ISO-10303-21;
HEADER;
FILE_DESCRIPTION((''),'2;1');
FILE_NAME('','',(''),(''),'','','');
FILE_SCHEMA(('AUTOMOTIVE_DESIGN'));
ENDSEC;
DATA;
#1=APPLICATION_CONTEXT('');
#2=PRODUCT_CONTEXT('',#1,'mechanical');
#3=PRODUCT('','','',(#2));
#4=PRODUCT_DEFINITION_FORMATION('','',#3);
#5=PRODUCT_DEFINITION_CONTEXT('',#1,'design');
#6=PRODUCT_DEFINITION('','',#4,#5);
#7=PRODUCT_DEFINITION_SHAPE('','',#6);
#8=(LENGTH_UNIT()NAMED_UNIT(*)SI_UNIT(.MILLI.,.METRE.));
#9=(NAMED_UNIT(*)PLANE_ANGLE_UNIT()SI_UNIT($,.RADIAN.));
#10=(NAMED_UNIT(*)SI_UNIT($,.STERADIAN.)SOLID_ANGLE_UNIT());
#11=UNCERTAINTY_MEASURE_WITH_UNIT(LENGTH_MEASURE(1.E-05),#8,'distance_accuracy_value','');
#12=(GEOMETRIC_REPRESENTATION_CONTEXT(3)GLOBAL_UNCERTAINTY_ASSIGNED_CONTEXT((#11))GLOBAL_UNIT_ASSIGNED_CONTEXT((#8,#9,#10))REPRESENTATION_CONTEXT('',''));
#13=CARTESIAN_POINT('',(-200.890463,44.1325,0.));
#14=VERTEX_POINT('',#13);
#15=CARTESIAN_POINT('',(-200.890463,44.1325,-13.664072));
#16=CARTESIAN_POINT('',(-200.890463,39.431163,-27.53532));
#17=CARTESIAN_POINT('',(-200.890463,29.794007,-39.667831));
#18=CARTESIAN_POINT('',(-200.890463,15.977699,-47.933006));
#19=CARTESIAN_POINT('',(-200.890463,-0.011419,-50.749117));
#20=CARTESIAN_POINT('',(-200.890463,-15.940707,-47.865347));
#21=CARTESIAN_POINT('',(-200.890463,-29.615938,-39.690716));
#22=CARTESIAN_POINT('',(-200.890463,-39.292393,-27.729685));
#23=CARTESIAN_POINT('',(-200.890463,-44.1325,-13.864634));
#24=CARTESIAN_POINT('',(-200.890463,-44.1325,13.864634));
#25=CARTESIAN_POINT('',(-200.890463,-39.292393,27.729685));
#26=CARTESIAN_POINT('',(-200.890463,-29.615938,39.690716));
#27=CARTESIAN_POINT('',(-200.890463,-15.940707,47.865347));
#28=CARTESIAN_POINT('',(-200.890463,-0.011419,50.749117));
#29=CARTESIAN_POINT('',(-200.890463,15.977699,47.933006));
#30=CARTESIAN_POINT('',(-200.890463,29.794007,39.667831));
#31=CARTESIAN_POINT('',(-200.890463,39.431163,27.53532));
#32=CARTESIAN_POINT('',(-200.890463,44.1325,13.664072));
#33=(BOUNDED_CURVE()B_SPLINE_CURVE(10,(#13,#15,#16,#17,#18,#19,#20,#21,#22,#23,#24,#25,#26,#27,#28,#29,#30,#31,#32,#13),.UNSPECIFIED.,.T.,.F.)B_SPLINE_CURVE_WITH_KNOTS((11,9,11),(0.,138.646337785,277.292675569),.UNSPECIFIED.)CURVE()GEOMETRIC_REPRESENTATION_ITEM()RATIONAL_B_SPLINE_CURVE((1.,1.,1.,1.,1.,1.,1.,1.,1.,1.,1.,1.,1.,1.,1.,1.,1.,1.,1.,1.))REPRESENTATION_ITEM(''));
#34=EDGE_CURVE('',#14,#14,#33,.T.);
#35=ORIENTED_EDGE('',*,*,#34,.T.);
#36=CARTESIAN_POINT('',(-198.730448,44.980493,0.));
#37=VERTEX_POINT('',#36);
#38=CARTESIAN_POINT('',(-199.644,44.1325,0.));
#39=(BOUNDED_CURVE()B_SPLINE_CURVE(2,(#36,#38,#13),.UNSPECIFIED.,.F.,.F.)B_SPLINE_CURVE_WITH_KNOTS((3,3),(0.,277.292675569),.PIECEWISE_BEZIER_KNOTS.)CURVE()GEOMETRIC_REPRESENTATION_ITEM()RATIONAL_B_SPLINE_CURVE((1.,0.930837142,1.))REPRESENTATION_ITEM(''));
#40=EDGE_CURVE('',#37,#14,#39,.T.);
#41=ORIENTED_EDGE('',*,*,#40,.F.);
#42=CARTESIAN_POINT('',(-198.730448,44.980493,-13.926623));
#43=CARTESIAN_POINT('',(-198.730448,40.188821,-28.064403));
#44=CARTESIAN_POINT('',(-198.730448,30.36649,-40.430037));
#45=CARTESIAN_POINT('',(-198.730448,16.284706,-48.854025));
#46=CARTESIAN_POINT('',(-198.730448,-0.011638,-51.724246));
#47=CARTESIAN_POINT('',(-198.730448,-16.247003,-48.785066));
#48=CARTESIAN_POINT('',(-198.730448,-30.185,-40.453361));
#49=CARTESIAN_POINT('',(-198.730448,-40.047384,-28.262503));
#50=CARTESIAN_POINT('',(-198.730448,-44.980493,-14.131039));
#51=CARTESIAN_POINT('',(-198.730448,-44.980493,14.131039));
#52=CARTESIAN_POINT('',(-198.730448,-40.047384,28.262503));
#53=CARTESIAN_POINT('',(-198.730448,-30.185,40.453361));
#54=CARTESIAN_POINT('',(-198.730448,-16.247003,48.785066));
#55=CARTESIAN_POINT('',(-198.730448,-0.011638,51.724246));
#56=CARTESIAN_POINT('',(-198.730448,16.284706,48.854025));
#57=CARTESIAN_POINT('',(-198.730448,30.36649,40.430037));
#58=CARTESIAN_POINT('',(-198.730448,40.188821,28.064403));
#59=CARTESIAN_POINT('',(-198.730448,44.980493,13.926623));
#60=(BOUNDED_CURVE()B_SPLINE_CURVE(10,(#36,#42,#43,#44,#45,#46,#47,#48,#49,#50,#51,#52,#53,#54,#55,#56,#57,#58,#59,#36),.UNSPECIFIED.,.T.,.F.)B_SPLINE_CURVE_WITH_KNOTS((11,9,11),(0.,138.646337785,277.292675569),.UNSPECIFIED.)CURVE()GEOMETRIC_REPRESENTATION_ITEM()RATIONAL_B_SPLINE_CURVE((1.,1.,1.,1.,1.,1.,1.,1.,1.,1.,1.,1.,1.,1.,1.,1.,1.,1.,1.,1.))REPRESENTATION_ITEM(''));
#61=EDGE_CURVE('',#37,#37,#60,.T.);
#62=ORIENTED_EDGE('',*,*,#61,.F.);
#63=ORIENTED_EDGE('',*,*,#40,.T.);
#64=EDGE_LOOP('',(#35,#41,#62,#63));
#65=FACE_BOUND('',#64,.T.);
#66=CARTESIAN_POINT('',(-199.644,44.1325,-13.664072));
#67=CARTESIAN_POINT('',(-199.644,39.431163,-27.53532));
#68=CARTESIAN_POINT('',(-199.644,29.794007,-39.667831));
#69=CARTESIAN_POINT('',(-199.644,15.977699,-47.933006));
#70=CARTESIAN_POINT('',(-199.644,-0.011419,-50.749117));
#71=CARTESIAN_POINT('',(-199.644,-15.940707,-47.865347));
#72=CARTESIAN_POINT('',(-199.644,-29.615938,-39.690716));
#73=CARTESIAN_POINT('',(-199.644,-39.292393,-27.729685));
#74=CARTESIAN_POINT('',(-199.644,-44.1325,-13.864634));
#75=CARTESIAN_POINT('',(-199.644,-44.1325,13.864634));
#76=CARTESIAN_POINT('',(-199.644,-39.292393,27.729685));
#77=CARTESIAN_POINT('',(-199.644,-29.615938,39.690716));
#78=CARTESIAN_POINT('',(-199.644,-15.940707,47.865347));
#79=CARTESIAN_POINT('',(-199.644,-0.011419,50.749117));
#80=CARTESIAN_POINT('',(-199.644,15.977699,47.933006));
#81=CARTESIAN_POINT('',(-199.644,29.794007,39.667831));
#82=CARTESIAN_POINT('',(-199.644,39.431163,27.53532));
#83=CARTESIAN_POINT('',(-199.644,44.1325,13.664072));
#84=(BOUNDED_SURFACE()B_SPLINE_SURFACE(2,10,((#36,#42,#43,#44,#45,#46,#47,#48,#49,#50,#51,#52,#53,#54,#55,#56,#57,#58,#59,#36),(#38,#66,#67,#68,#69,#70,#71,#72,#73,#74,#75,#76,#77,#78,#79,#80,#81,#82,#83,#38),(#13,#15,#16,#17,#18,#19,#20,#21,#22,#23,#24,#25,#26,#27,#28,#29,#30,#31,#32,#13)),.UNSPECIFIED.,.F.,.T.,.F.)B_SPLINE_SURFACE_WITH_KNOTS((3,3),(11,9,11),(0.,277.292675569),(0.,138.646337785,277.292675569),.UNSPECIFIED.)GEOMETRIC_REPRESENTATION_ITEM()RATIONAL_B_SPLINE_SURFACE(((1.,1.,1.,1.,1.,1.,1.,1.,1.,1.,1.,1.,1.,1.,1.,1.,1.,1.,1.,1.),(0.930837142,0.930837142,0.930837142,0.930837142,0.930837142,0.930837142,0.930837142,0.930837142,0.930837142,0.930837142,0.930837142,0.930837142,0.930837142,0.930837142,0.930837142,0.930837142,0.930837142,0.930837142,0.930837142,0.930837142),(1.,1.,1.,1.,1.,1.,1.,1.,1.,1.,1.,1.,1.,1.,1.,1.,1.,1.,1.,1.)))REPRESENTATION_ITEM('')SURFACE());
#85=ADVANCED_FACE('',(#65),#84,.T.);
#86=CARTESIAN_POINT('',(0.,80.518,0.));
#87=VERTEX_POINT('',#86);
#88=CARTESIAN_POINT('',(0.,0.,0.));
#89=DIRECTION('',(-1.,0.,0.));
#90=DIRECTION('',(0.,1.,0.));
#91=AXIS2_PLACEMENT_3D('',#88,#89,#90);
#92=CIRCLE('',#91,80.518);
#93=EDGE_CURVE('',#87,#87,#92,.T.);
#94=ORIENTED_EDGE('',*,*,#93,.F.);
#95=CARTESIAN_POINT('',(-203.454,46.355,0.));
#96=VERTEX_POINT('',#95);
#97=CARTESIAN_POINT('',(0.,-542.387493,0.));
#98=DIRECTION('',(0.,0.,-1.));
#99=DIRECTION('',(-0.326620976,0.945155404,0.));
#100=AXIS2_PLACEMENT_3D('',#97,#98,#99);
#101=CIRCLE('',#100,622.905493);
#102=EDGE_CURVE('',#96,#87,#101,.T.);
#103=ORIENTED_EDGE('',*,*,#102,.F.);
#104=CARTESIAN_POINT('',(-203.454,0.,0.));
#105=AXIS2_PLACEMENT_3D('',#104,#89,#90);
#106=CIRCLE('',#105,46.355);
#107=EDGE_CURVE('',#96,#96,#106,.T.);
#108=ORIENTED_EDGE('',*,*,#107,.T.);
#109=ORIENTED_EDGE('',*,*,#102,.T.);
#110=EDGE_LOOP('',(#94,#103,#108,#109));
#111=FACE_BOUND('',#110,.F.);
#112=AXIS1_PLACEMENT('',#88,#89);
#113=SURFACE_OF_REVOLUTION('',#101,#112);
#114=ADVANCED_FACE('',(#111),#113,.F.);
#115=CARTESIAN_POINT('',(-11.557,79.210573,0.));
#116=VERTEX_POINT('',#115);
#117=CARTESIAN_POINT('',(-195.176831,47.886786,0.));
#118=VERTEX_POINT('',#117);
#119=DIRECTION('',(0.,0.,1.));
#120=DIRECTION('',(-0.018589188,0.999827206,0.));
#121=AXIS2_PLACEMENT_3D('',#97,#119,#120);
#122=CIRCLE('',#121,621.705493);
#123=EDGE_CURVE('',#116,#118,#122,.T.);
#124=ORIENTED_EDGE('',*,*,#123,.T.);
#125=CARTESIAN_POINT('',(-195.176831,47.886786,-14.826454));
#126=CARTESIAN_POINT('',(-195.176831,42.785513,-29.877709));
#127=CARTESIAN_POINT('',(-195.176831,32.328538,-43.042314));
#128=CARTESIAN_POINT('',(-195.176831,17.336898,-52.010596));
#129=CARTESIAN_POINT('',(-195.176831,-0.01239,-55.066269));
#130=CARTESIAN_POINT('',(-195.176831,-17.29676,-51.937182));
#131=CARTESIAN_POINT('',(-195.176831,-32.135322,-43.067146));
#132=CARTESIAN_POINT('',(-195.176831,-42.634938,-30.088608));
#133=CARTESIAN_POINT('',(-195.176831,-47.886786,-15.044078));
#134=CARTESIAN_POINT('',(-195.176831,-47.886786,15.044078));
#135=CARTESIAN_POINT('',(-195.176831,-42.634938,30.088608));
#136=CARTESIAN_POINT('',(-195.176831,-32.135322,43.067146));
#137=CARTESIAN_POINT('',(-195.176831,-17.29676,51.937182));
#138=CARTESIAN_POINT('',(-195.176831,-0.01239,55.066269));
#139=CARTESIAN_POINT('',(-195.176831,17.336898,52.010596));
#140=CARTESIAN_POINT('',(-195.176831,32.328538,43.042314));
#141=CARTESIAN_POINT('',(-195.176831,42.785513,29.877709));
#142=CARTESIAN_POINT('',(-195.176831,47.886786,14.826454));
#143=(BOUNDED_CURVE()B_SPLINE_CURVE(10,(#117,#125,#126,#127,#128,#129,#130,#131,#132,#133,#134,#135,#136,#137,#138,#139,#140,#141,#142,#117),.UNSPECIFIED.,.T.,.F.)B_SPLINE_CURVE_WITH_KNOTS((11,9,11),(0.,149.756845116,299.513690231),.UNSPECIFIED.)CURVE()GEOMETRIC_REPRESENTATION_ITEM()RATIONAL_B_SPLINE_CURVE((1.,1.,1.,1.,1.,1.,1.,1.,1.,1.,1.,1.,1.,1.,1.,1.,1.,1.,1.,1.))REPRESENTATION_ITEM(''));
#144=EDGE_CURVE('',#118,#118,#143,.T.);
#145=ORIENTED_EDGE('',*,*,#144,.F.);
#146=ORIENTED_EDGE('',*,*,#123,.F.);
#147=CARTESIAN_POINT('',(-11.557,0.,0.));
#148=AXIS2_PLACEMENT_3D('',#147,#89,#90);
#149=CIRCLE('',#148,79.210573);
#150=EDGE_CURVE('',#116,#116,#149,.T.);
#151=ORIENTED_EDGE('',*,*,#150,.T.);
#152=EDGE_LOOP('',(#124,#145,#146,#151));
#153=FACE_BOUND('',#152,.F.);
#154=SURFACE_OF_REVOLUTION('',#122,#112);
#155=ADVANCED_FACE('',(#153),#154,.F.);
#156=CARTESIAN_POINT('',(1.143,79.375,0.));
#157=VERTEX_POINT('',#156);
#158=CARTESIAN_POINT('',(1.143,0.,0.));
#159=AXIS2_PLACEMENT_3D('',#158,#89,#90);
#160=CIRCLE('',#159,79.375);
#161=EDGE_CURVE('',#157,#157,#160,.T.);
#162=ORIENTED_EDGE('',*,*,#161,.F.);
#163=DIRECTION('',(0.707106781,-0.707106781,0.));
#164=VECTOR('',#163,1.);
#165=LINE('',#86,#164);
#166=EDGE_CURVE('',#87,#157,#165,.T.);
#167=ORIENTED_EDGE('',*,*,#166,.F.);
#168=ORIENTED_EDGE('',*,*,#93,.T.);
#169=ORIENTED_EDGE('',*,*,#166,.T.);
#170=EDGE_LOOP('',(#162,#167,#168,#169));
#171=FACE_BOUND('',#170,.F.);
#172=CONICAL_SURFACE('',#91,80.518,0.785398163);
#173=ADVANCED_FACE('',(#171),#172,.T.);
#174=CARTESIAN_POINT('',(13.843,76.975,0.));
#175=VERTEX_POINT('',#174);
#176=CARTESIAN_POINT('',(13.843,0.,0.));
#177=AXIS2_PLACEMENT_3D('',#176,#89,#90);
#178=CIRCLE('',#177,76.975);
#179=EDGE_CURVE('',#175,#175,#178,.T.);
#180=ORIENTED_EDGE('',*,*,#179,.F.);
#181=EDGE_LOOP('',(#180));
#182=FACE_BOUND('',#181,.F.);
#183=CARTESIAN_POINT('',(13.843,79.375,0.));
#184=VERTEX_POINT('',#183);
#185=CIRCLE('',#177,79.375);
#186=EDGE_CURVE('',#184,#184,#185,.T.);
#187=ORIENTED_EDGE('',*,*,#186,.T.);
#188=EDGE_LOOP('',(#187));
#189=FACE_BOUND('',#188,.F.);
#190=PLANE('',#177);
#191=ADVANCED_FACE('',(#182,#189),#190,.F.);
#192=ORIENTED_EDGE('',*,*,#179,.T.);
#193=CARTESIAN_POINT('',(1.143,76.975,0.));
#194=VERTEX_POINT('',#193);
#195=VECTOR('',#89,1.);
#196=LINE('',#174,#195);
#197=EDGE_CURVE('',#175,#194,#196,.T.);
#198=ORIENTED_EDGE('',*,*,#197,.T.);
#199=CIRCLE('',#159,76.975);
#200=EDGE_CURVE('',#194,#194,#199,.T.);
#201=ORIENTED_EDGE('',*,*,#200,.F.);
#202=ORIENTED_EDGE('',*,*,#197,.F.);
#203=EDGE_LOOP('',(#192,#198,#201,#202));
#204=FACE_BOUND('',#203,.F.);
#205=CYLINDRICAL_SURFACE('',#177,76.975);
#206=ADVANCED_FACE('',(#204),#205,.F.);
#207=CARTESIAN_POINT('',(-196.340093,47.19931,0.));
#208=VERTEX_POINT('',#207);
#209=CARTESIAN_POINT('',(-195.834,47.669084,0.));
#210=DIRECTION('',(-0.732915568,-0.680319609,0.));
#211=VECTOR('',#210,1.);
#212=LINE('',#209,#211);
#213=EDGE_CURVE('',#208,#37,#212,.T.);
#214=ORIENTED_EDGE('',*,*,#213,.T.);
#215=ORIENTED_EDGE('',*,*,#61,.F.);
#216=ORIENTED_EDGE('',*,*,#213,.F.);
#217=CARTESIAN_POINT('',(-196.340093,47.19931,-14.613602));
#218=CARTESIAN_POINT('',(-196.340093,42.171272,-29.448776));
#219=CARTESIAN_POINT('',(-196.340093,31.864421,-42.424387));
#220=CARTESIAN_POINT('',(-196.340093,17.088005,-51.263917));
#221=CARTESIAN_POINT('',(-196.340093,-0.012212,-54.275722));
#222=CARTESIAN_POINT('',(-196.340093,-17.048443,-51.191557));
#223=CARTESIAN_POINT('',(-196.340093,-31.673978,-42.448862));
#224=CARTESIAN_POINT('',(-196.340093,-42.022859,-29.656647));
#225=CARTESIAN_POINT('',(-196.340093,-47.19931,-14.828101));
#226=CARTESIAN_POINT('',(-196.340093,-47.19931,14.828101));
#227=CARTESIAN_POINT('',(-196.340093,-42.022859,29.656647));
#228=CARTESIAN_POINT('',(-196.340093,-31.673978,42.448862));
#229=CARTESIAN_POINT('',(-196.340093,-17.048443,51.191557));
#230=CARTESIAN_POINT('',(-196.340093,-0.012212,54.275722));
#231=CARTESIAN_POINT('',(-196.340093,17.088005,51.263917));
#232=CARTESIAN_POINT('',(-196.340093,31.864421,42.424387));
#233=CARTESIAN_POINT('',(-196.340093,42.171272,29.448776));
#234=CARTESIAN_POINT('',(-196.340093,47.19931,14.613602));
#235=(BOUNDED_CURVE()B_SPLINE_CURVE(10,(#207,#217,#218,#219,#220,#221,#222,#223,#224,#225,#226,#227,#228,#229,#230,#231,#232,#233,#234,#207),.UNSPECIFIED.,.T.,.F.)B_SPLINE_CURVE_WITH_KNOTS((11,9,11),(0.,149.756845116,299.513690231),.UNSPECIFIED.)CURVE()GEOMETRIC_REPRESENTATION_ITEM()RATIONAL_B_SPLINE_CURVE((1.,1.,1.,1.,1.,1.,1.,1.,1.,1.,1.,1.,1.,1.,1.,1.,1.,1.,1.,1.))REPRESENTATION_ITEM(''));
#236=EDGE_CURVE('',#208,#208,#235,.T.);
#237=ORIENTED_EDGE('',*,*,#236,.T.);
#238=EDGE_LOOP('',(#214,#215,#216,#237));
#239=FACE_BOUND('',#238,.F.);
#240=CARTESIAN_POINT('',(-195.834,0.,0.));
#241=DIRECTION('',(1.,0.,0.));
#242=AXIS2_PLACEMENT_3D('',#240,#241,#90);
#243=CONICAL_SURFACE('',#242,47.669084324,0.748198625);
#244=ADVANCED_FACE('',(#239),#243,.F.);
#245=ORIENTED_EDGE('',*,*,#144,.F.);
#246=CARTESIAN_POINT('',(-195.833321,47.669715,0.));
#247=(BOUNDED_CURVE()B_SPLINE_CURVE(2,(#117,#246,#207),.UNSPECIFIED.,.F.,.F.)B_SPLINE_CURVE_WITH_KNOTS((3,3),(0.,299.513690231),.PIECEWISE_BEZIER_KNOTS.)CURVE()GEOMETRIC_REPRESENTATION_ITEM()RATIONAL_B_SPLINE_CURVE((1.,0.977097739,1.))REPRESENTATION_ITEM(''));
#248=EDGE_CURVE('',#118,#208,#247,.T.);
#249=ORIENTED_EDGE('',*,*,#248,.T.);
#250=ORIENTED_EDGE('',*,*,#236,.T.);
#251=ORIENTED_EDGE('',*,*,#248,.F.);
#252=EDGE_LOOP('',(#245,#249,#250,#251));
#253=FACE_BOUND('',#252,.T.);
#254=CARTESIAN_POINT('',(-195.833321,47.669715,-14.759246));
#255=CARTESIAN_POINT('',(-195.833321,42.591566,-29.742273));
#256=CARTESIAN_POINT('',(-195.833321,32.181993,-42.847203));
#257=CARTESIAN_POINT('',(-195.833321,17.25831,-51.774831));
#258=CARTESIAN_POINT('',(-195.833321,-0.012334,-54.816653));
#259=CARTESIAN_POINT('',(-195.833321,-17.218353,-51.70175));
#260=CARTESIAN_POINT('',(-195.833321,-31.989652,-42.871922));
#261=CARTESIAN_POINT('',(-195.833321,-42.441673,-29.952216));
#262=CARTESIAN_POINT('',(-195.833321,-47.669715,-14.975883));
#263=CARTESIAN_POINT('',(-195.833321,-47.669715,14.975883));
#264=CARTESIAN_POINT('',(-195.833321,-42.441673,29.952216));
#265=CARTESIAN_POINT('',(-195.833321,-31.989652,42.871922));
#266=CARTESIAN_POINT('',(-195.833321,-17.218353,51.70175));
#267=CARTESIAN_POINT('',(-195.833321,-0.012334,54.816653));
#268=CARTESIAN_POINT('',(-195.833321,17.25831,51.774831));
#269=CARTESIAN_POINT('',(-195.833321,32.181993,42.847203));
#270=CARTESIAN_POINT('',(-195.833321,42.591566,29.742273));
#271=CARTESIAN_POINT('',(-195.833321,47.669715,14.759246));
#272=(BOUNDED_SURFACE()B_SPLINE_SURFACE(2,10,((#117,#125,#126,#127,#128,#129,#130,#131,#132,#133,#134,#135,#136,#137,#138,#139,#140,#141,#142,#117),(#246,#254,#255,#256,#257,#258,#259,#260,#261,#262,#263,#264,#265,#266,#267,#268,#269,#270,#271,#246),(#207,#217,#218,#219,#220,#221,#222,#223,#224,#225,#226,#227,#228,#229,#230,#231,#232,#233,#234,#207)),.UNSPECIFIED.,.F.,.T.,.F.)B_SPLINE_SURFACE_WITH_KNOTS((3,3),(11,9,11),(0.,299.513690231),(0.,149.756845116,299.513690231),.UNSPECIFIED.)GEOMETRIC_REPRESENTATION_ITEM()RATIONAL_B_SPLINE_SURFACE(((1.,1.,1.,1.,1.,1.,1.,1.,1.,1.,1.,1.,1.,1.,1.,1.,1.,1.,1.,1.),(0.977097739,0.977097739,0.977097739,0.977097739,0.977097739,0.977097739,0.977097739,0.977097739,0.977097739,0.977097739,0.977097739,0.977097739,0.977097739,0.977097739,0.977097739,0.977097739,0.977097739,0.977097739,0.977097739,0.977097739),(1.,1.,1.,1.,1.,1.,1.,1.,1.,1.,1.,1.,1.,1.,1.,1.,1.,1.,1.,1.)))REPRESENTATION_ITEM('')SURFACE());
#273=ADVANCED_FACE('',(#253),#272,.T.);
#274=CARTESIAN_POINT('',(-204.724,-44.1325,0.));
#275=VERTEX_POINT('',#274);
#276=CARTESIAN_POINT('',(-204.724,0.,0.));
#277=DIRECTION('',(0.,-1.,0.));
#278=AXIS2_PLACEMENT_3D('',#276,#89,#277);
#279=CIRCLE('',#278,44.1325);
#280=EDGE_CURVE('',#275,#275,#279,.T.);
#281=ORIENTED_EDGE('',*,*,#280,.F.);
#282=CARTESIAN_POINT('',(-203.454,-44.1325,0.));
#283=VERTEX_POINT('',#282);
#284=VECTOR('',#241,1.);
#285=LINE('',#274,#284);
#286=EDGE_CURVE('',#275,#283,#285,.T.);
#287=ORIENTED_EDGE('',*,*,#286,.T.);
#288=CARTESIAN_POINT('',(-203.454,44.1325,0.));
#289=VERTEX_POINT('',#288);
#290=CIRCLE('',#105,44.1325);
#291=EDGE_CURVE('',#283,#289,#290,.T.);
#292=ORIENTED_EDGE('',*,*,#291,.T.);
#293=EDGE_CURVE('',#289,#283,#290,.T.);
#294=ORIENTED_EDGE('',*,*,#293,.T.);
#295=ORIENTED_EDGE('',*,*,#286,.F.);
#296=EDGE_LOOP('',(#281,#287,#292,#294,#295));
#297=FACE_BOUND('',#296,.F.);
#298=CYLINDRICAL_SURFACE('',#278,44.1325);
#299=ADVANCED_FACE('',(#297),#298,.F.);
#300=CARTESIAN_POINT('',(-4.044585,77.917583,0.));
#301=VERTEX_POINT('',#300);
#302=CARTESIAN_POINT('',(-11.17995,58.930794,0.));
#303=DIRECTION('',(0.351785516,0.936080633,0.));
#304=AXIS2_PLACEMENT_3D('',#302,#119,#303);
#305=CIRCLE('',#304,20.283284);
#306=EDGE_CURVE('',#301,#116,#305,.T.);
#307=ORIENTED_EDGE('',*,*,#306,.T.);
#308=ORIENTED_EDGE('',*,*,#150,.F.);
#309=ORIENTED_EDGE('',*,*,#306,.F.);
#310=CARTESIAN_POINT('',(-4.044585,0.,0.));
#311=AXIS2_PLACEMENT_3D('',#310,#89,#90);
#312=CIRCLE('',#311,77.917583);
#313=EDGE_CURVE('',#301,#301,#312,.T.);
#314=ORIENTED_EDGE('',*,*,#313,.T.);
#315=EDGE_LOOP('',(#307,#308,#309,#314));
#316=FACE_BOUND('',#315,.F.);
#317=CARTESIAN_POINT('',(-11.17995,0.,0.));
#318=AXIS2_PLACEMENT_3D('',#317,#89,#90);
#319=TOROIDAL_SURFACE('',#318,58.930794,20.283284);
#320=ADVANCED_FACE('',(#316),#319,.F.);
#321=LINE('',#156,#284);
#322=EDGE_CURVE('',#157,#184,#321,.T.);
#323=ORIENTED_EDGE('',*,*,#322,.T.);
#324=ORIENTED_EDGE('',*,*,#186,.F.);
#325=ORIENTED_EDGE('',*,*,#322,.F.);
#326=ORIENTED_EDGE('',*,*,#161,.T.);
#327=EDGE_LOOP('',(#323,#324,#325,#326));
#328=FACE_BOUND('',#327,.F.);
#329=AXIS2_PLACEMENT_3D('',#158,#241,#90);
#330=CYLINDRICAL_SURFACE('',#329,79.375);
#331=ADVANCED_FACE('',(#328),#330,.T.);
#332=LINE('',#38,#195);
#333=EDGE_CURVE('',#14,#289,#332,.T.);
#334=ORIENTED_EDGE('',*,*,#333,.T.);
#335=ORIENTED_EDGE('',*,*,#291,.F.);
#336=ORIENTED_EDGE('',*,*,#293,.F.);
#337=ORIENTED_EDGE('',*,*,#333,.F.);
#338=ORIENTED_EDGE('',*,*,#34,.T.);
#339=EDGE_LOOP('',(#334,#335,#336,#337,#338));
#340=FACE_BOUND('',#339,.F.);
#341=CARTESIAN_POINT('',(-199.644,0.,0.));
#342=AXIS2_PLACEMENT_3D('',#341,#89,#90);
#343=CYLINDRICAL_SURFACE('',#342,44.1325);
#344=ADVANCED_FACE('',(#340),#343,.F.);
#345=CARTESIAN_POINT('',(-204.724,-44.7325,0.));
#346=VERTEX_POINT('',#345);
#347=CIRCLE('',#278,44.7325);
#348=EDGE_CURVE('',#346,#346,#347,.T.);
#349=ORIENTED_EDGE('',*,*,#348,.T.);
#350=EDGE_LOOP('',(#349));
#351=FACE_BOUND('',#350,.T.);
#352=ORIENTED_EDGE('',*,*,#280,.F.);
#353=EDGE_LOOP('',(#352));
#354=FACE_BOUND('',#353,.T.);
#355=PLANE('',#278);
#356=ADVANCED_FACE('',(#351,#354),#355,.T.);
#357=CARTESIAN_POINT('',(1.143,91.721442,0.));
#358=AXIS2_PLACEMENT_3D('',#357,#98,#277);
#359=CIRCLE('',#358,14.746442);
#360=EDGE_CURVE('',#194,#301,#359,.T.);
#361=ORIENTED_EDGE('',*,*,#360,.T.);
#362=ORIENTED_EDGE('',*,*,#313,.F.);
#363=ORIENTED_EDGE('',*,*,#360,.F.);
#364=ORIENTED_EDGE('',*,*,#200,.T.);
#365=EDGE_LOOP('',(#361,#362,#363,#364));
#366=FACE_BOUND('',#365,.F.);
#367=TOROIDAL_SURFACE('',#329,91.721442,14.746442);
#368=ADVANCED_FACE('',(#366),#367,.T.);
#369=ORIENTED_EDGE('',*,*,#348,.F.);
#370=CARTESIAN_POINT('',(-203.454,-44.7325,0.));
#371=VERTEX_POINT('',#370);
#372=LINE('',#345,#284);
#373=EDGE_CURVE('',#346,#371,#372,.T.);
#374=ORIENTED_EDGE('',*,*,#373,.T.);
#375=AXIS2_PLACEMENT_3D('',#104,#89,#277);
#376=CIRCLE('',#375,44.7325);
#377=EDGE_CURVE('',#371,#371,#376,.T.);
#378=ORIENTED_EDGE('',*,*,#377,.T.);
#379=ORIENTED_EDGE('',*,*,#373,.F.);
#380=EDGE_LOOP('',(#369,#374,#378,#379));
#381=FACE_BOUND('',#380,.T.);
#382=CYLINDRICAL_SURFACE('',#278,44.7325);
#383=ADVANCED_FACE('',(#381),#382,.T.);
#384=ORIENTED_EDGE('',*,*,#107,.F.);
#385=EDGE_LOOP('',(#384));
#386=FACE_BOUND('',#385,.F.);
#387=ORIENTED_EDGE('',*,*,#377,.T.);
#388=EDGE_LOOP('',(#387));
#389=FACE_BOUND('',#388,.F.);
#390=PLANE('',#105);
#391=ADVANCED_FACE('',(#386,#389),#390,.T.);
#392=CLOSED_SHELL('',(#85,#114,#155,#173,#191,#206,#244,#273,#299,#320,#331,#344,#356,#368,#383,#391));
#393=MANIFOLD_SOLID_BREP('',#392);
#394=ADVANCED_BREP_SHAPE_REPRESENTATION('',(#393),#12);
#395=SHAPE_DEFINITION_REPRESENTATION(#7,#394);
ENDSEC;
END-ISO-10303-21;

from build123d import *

# Parameters (mm, degrees)
FILLET1_R           = 3.175
BOSS_EXTRUDE1_START = 1.27
SKETCH2_R           = 44.7325
SKETCH2_R_2         = 44.1325
BOSS_EXTRUDE1_DEPTH = 1.27


with BuildPart() as part:
    # Sketch1 → Revolve1 (revolve)
    with BuildSketch(Plane.XY):
        with BuildLine():
            Line((1.143, 79.375), (13.843, 79.375))
            Line((13.843, 79.375), (13.843, 76.975))
            Line((13.843, 76.975), (1.143, 76.975))
            ThreePointArc((1.143, 76.975), (-1.493261461, 77.212559303), (-4.044584679, 77.917583239))
            ThreePointArc((-4.044584679, 77.917583239), (-7.739504947, 78.920164754), (-11.557, 79.210573098))
            ThreePointArc((-11.557, 79.210573098), (-104.887907305, 70.40631157), (-195.834, 47.669084324))
            Line((-195.834, 47.669084324), (-199.644, 44.1325))
            Line((-199.644, 44.1325), (-203.454, 44.1325))
            Line((-203.454, 44.1325), (-203.454, 46.355))
            ThreePointArc((-203.454, 46.355), (-103.15115206, 71.917881411), (0, 80.518))
            Line((0, 80.518), (1.143, 79.375))
        make_face()
    revolve(axis=Axis((0, 0, 0), (-1, 0, 0)))

    # Fillet1
    fillet1_edges = [part.edges().sort_by_distance(p)[0] for p in [
        (-195.834, -47.669084324, 0),
        (-199.644, -44.1325, 0),
    ]]
    fillet(fillet1_edges, radius=FILLET1_R)

    # Sketch2 → Boss-Extrude1 (add)
    with BuildSketch(Plane.ZY.offset(203.454).offset(BOSS_EXTRUDE1_START)):
        with Locations(Location((0, 0, 0), (0, 0, 270))):
            Circle(SKETCH2_R)
        with Locations(Location((0, 0, 0), (0, 0, 270))):
            Circle(SKETCH2_R_2, mode=Mode.SUBTRACT)
    extrude(amount=-BOSS_EXTRUDE1_DEPTH)


solid = part.part
